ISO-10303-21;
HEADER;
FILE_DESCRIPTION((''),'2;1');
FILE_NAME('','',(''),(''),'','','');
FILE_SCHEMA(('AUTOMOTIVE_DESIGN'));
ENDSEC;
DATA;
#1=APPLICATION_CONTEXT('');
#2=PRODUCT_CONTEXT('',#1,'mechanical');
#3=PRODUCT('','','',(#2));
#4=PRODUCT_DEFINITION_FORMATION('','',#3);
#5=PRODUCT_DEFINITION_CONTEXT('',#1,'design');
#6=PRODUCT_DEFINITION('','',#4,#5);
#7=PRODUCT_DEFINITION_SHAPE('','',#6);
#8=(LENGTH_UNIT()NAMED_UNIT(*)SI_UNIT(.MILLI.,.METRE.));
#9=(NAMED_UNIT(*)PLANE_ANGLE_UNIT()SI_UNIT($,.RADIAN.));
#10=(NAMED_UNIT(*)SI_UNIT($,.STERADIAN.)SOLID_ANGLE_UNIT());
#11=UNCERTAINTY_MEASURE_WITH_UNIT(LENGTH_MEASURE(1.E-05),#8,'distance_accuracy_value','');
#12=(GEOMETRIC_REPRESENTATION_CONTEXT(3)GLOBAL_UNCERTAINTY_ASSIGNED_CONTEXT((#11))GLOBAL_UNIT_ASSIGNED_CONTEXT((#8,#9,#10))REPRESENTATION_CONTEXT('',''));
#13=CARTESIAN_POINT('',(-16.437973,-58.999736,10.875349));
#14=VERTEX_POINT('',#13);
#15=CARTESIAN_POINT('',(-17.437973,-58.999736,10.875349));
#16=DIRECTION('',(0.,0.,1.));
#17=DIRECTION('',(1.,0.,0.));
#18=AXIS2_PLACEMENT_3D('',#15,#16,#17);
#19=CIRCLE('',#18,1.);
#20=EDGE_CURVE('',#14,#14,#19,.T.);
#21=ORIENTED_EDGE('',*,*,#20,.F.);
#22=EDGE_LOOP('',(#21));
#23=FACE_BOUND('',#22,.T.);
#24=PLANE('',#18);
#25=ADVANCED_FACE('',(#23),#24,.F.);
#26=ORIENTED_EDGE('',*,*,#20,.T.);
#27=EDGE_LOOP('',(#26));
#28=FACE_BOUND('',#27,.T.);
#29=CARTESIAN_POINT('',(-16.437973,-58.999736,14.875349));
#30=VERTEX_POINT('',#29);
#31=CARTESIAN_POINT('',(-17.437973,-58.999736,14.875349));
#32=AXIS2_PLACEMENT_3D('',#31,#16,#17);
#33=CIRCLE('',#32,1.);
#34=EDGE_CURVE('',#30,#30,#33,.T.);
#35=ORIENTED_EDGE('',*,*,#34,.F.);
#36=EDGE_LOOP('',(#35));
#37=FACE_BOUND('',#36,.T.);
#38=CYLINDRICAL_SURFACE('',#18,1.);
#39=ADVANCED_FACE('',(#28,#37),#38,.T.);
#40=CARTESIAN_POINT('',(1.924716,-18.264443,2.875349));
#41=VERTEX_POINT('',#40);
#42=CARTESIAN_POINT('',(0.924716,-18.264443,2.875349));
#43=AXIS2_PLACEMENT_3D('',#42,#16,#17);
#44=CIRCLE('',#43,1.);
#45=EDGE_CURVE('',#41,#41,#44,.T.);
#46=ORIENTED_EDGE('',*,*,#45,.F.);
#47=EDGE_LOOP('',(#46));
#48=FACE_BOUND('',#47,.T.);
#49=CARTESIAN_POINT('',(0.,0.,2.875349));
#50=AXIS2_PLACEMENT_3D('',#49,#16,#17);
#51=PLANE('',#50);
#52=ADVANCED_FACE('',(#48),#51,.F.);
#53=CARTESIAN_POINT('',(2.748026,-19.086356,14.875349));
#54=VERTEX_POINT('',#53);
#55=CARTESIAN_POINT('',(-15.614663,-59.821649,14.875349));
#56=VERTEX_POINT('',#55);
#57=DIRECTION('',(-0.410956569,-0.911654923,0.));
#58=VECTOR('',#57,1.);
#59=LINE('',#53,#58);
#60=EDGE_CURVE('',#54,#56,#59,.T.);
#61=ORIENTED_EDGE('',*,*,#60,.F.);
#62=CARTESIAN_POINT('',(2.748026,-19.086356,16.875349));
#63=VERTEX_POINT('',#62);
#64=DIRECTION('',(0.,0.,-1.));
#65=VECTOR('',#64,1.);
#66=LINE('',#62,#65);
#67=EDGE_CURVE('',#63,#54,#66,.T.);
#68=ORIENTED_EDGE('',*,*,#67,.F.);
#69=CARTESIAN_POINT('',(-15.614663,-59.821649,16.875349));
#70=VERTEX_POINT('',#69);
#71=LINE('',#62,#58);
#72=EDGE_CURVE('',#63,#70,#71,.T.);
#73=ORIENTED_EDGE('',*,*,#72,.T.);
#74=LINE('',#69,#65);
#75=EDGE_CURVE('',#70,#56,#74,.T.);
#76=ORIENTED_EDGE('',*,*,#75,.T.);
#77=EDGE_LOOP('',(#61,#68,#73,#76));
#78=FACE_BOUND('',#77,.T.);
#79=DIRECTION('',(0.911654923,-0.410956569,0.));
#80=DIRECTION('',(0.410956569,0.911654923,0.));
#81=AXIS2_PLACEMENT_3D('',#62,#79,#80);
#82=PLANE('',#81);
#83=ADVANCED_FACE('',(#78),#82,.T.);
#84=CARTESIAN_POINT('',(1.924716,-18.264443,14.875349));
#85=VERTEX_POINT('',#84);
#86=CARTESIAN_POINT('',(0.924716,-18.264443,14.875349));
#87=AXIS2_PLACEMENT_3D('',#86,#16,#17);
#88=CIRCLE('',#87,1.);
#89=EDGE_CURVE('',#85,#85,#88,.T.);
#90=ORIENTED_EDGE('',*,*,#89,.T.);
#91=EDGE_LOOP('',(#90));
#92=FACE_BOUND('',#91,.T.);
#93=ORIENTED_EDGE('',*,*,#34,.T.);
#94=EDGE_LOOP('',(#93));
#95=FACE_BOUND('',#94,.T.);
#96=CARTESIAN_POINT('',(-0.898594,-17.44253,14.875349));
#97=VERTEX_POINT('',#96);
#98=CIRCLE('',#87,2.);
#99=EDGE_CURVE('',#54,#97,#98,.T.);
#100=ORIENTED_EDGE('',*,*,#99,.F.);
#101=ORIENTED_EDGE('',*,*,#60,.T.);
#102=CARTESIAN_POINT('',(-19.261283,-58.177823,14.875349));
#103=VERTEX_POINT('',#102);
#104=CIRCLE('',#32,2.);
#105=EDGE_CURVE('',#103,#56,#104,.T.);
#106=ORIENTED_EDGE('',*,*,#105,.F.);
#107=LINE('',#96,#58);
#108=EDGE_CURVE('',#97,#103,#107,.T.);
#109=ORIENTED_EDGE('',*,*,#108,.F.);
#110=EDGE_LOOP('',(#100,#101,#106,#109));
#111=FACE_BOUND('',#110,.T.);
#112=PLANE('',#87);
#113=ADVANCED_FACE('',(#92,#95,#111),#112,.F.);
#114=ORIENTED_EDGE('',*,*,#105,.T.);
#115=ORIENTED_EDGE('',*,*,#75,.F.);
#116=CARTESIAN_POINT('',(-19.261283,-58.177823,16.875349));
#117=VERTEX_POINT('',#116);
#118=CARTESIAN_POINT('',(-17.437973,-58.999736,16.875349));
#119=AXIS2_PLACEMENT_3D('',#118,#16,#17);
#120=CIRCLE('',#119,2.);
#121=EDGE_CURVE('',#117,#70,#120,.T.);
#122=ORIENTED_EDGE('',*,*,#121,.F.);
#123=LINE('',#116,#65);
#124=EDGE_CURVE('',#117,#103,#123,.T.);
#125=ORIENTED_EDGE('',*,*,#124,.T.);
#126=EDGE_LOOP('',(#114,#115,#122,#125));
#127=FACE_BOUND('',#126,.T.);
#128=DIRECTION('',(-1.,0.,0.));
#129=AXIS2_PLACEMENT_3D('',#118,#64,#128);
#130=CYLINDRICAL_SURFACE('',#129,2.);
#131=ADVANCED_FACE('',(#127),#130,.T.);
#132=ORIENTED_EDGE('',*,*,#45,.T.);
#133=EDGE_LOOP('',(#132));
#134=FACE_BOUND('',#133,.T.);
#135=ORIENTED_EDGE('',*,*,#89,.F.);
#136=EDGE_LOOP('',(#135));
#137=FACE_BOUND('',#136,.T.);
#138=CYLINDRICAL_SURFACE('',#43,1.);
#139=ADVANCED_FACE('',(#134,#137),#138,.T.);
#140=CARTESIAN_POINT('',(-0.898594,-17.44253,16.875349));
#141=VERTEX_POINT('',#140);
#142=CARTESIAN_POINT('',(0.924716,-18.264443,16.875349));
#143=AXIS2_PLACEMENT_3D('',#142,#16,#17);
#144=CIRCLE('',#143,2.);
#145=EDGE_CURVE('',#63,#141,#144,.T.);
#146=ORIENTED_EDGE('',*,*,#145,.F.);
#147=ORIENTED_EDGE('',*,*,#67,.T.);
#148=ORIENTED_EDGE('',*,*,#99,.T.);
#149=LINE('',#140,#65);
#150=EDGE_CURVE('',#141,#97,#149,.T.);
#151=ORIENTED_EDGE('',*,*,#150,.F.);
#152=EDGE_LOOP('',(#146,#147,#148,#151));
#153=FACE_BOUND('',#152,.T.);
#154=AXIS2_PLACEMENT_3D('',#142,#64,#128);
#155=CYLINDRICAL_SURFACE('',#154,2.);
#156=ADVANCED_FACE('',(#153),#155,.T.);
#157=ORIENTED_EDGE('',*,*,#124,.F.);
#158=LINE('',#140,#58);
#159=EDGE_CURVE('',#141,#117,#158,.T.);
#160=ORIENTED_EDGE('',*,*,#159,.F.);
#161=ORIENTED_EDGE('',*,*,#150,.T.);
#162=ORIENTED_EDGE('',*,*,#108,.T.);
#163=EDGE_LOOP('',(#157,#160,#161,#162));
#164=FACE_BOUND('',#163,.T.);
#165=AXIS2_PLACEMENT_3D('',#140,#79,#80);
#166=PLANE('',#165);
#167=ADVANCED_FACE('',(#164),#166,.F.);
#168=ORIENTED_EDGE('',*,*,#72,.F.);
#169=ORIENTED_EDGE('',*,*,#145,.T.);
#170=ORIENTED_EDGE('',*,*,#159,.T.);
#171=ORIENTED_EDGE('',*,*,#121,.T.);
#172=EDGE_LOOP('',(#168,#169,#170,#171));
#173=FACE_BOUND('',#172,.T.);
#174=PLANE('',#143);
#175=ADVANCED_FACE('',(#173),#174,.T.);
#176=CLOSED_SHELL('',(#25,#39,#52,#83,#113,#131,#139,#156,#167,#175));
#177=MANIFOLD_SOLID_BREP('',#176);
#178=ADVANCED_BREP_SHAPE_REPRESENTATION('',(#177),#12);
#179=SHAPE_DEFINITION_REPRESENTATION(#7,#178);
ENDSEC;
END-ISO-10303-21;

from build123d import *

# Parameters (mm, degrees)
BOSS_EXTRUDE1_DEPTH = 2
SKETCH1_3_R         = 1
BOSS_EXTRUDE2_DEPTH = 4
SKETCH1_4_R         = 1
BOSS_EXTRUDE3_DEPTH = 12


with BuildPart() as part:
    # Sketch1 → Boss-Extrude1 (new body)
    with BuildSketch(Plane.XY.offset(14.87534902)):
        with BuildLine():
            Line((2.748026099, -19.086356488), (-15.614663255, -59.821649221))
            ThreePointArc((-15.614663255, -59.821649221), (-18.259886239, -60.823045928), (-19.261282946, -58.177822944))
            Line((-19.261282946, -58.177822944), (-0.898593592, -17.442530211))
            ThreePointArc((-0.898593592, -17.442530211), (1.746629392, -16.441133504), (2.748026099, -19.086356488))
        make_face()
    extrude(amount=BOSS_EXTRUDE1_DEPTH)

    # Sketch1<3> → Boss-Extrude2 (add)
    with BuildSketch(Plane.XY.offset(14.87534902)):
        with Locations((-17.4379731, -58.999736083)):
            Circle(SKETCH1_3_R)
    extrude(amount=-BOSS_EXTRUDE2_DEPTH)

    # Sketch1<4> → Boss-Extrude3 (add)
    with BuildSketch(Plane.XY.offset(14.87534902)):
        with Locations((0.924716254, -18.26444335)):
            Circle(SKETCH1_4_R)
    extrude(amount=-BOSS_EXTRUDE3_DEPTH)


solid = part.part
